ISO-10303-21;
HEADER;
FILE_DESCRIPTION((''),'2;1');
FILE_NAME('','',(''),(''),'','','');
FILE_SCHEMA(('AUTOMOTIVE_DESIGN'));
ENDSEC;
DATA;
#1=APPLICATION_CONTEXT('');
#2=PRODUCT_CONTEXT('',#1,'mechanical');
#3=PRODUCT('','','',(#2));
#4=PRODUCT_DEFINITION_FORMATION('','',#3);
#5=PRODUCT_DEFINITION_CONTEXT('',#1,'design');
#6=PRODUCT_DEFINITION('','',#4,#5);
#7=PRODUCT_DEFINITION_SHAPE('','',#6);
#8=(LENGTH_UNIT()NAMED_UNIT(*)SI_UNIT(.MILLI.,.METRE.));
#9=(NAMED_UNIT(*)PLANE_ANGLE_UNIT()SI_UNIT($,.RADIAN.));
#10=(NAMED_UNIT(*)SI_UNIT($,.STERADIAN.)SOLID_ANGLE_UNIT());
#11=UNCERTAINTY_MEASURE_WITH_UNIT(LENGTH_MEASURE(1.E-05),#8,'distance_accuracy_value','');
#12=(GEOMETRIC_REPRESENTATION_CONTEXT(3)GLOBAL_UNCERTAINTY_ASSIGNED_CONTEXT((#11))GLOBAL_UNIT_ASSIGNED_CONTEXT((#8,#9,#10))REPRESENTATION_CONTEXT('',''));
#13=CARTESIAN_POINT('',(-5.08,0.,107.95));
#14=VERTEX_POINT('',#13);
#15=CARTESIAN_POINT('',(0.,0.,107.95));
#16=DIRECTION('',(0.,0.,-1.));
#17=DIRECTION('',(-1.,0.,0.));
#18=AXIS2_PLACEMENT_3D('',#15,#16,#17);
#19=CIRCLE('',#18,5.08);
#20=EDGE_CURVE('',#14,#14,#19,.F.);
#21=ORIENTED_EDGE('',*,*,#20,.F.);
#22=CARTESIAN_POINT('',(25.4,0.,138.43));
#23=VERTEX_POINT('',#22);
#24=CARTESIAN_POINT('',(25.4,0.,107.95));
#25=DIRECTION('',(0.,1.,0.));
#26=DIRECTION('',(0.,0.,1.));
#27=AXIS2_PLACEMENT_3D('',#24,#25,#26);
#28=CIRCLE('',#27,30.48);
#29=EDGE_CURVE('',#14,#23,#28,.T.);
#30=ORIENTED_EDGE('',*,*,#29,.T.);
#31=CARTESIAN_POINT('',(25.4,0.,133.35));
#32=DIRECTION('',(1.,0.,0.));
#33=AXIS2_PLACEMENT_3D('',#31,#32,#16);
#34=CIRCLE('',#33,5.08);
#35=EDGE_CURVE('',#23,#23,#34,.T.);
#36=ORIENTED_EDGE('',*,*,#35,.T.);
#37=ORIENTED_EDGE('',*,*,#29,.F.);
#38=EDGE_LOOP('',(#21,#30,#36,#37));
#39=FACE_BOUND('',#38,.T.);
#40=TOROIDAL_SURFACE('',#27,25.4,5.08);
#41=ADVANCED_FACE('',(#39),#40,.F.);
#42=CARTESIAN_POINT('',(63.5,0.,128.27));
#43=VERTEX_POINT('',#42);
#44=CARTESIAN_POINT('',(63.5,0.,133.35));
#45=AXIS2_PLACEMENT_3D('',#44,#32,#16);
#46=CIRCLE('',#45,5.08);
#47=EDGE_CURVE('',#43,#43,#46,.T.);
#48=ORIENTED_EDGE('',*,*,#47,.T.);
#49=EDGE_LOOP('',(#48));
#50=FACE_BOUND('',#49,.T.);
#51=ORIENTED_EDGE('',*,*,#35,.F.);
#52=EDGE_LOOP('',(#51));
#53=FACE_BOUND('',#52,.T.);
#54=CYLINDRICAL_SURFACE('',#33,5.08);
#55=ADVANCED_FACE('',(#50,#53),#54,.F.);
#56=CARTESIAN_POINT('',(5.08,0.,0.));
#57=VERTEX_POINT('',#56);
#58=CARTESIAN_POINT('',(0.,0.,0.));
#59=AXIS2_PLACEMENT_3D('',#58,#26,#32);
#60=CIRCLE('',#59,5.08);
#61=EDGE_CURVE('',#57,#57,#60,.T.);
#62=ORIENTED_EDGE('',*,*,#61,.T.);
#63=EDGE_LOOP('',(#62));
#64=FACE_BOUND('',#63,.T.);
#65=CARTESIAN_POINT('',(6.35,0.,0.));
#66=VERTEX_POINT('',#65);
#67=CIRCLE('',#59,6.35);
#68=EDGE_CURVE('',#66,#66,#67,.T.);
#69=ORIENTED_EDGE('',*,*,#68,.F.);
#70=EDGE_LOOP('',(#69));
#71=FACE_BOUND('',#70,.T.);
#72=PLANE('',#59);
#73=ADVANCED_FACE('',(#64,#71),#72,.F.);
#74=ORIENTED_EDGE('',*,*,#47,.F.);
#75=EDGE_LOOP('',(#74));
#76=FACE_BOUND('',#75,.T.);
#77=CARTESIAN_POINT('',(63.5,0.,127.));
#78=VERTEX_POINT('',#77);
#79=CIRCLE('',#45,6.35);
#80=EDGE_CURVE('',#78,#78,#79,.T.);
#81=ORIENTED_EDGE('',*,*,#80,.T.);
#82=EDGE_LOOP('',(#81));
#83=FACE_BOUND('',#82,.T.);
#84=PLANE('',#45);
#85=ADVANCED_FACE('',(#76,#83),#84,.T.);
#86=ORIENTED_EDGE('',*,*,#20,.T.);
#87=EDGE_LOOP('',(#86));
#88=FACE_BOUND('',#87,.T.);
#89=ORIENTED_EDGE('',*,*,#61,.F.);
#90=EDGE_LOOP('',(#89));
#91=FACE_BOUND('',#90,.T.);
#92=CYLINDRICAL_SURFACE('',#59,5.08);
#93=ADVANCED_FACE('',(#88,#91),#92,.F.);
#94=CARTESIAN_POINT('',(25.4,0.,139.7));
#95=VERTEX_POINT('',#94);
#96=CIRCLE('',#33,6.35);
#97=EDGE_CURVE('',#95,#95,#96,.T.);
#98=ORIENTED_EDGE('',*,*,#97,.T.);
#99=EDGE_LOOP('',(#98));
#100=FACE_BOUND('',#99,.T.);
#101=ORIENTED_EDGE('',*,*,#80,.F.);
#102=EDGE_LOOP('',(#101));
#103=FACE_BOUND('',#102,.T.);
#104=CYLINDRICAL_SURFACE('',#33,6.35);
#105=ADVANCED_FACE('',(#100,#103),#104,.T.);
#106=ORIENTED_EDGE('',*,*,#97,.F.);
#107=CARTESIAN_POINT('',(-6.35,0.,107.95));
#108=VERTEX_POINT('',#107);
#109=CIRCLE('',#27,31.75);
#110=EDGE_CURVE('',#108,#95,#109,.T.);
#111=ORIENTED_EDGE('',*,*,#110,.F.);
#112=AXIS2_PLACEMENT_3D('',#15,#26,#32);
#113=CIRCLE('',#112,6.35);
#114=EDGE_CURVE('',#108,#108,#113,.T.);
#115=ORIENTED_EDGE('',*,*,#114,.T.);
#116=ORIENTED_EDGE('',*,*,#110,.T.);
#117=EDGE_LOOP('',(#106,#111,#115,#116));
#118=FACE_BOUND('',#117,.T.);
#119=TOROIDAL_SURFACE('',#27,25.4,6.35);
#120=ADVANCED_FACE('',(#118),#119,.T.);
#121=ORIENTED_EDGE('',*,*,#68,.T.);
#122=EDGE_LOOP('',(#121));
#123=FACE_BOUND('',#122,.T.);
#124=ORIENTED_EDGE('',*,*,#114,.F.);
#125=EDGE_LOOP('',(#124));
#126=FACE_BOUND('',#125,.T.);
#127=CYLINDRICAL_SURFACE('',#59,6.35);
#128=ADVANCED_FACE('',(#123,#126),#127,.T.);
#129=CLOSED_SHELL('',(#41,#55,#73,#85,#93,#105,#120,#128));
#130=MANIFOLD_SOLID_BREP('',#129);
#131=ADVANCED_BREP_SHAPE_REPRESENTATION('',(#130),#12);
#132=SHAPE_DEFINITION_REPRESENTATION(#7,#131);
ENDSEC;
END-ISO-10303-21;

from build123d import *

# Parameters (mm, degrees)
SKETCH2_R   = 6.35
SKETCH2_R_2 = 5.08


with BuildPart() as part:
    # Sweep-Thin1: sweep along a path in Sketch1
    with BuildLine(Plane(origin=(0, 0, 0), x_dir=(1, 0, 0), z_dir=(0, 1, 0))) as sweep_thin1_path:
        Line((0, 0), (0, -107.95))
        ThreePointArc((0, -107.95), (7.439487758, -125.910512242), (25.4, -133.35))
        Line((25.4, -133.35), (63.5, -133.35))
    # Sketch2 → Sweep-Thin1 (sweep)
    with BuildSketch(Plane.XY):
        Circle(SKETCH2_R)
        Circle(SKETCH2_R_2, mode=Mode.SUBTRACT)
    sweep(path=sweep_thin1_path.line)


solid = part.part
